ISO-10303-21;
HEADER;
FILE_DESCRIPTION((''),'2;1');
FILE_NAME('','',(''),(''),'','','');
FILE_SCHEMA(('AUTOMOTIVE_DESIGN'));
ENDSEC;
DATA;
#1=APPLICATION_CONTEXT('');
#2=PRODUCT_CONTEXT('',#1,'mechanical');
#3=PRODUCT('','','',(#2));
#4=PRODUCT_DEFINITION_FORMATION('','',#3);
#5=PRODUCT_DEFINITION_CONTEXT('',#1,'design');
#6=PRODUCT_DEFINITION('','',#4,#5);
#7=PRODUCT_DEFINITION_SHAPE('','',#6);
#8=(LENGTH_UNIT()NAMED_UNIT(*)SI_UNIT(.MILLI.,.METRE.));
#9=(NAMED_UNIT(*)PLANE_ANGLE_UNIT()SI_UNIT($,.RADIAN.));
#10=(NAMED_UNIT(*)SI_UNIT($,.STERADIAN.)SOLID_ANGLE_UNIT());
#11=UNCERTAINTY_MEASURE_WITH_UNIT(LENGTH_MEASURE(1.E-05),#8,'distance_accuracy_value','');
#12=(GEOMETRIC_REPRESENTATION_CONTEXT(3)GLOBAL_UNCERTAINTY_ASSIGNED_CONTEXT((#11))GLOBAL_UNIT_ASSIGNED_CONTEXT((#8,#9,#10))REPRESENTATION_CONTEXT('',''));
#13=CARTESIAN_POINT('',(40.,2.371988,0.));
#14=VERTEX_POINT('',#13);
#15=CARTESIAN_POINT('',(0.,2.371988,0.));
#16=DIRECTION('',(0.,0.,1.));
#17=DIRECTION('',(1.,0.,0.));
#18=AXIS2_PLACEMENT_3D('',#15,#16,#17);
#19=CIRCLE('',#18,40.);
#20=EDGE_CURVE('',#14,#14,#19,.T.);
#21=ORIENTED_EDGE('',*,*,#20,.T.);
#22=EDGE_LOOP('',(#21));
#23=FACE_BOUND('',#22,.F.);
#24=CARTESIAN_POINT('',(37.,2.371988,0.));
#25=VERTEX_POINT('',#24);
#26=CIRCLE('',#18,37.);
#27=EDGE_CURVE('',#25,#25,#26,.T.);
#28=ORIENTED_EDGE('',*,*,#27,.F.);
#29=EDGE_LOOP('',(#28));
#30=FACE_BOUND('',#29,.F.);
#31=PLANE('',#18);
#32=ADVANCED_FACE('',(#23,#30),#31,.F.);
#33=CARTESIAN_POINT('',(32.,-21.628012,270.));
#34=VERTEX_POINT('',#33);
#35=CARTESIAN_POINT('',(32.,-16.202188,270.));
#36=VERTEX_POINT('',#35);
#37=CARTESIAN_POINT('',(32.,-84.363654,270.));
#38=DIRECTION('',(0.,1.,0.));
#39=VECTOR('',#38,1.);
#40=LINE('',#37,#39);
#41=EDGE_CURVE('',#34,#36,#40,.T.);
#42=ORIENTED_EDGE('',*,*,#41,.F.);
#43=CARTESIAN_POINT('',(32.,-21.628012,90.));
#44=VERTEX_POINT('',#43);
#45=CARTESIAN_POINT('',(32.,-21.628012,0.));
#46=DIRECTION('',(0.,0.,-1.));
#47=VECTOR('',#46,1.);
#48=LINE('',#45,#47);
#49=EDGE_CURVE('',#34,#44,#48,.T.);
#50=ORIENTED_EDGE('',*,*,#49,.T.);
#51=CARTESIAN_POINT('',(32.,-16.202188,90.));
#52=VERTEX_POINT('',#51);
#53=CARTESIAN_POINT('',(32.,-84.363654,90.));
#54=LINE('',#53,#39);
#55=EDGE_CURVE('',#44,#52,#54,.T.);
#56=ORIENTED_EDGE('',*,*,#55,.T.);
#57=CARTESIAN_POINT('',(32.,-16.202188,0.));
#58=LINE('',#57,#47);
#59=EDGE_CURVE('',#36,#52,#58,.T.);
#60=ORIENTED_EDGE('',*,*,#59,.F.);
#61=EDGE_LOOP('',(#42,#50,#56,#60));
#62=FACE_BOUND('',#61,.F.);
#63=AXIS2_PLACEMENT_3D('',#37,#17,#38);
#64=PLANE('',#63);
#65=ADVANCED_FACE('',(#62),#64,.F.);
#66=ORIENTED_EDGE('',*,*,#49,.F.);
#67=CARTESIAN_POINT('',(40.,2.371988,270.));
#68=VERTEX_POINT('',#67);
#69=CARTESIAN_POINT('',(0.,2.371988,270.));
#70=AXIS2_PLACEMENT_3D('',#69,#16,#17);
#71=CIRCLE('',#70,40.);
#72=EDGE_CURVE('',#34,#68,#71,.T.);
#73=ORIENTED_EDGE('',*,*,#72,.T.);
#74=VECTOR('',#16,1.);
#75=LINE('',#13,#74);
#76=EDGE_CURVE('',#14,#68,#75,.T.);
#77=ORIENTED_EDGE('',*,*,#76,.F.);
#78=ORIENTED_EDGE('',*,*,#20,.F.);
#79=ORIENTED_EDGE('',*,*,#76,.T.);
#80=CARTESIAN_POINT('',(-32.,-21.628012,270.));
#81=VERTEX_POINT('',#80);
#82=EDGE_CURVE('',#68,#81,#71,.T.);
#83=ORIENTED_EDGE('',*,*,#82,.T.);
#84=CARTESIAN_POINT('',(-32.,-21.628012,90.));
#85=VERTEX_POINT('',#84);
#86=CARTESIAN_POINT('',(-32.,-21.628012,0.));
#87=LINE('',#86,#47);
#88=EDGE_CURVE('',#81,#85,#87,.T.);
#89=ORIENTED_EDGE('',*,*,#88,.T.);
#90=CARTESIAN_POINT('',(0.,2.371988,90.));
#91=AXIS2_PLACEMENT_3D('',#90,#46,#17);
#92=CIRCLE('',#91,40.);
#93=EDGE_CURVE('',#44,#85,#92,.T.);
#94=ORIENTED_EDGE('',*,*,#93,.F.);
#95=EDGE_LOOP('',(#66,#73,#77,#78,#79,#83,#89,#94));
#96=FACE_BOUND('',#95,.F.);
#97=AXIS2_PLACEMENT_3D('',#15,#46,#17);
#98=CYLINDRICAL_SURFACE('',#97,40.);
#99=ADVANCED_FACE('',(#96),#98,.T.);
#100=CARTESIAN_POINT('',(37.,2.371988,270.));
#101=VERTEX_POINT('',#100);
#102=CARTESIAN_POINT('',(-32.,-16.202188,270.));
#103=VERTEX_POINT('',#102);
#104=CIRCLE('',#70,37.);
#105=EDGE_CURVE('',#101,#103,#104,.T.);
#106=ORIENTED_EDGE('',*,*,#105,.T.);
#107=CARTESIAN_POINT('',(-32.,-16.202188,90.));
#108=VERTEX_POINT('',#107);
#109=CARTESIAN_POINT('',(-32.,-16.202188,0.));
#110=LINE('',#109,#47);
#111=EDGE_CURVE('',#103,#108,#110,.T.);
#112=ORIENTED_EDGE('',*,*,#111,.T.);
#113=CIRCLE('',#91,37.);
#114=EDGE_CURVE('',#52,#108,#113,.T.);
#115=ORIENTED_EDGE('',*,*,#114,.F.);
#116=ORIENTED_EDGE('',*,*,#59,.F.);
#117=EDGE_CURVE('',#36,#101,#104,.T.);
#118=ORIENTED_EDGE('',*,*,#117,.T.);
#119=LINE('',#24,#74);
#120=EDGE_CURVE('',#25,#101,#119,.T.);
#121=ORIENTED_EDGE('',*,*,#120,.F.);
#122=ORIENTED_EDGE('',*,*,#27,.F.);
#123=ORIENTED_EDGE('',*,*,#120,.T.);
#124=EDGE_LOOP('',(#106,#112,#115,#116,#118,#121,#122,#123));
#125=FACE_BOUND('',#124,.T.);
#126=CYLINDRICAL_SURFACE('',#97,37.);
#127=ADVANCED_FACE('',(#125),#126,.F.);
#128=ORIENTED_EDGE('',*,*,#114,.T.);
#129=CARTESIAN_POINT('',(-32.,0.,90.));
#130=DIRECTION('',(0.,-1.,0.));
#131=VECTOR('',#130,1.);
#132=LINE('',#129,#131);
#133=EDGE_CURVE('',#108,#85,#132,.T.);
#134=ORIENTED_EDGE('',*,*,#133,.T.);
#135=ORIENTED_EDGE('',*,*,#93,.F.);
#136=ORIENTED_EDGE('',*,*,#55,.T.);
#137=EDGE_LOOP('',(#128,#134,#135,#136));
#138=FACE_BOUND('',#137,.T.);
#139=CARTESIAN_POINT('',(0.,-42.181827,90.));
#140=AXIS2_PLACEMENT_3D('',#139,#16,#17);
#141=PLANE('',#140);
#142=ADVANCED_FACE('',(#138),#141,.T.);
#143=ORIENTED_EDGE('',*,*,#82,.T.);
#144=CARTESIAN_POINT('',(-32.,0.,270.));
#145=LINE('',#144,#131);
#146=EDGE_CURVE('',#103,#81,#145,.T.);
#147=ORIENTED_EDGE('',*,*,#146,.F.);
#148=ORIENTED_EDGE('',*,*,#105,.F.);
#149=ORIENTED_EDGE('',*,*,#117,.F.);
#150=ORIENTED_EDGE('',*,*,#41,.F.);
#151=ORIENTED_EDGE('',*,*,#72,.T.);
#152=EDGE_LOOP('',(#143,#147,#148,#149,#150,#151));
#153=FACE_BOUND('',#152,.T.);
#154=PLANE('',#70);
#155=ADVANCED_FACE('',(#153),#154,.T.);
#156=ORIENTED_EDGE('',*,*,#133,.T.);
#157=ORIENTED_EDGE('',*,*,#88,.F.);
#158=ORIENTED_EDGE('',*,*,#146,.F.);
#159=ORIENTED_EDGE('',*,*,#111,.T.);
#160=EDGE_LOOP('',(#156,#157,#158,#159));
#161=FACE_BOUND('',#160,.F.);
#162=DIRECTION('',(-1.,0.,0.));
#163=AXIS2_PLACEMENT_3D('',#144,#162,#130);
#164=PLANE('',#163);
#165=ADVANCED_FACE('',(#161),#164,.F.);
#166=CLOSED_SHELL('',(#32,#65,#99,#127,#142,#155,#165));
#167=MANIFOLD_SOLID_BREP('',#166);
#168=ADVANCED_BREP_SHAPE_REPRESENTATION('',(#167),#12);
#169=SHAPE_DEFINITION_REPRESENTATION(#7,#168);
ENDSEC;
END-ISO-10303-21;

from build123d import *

# Parameters (mm, degrees)
F0_R     = 40
F0_R_2   = 37
F1_DEPTH = 270
F3_DEPTH = 180


with BuildPart() as f1:
    # F0 (on Top) → F1 (new body)
    with BuildSketch(Plane.XY):
        with Locations((0, 2.371988)):
            Circle(F0_R)
        with Locations((0, 2.371988)):
            Circle(F0_R_2, mode=Mode.SUBTRACT)
    extrude(amount=F1_DEPTH)

    # F2 (on face) → F3 (cut)
    with BuildSketch(Plane.XY.offset(270)):
        Polygon((32, 0), (0, 0), (-32, 0), (-32, -84.363654), (0, -84.363654), (32, -84.363654), align=None)
    extrude(amount=-F3_DEPTH, mode=Mode.SUBTRACT)


solid = f1.part
